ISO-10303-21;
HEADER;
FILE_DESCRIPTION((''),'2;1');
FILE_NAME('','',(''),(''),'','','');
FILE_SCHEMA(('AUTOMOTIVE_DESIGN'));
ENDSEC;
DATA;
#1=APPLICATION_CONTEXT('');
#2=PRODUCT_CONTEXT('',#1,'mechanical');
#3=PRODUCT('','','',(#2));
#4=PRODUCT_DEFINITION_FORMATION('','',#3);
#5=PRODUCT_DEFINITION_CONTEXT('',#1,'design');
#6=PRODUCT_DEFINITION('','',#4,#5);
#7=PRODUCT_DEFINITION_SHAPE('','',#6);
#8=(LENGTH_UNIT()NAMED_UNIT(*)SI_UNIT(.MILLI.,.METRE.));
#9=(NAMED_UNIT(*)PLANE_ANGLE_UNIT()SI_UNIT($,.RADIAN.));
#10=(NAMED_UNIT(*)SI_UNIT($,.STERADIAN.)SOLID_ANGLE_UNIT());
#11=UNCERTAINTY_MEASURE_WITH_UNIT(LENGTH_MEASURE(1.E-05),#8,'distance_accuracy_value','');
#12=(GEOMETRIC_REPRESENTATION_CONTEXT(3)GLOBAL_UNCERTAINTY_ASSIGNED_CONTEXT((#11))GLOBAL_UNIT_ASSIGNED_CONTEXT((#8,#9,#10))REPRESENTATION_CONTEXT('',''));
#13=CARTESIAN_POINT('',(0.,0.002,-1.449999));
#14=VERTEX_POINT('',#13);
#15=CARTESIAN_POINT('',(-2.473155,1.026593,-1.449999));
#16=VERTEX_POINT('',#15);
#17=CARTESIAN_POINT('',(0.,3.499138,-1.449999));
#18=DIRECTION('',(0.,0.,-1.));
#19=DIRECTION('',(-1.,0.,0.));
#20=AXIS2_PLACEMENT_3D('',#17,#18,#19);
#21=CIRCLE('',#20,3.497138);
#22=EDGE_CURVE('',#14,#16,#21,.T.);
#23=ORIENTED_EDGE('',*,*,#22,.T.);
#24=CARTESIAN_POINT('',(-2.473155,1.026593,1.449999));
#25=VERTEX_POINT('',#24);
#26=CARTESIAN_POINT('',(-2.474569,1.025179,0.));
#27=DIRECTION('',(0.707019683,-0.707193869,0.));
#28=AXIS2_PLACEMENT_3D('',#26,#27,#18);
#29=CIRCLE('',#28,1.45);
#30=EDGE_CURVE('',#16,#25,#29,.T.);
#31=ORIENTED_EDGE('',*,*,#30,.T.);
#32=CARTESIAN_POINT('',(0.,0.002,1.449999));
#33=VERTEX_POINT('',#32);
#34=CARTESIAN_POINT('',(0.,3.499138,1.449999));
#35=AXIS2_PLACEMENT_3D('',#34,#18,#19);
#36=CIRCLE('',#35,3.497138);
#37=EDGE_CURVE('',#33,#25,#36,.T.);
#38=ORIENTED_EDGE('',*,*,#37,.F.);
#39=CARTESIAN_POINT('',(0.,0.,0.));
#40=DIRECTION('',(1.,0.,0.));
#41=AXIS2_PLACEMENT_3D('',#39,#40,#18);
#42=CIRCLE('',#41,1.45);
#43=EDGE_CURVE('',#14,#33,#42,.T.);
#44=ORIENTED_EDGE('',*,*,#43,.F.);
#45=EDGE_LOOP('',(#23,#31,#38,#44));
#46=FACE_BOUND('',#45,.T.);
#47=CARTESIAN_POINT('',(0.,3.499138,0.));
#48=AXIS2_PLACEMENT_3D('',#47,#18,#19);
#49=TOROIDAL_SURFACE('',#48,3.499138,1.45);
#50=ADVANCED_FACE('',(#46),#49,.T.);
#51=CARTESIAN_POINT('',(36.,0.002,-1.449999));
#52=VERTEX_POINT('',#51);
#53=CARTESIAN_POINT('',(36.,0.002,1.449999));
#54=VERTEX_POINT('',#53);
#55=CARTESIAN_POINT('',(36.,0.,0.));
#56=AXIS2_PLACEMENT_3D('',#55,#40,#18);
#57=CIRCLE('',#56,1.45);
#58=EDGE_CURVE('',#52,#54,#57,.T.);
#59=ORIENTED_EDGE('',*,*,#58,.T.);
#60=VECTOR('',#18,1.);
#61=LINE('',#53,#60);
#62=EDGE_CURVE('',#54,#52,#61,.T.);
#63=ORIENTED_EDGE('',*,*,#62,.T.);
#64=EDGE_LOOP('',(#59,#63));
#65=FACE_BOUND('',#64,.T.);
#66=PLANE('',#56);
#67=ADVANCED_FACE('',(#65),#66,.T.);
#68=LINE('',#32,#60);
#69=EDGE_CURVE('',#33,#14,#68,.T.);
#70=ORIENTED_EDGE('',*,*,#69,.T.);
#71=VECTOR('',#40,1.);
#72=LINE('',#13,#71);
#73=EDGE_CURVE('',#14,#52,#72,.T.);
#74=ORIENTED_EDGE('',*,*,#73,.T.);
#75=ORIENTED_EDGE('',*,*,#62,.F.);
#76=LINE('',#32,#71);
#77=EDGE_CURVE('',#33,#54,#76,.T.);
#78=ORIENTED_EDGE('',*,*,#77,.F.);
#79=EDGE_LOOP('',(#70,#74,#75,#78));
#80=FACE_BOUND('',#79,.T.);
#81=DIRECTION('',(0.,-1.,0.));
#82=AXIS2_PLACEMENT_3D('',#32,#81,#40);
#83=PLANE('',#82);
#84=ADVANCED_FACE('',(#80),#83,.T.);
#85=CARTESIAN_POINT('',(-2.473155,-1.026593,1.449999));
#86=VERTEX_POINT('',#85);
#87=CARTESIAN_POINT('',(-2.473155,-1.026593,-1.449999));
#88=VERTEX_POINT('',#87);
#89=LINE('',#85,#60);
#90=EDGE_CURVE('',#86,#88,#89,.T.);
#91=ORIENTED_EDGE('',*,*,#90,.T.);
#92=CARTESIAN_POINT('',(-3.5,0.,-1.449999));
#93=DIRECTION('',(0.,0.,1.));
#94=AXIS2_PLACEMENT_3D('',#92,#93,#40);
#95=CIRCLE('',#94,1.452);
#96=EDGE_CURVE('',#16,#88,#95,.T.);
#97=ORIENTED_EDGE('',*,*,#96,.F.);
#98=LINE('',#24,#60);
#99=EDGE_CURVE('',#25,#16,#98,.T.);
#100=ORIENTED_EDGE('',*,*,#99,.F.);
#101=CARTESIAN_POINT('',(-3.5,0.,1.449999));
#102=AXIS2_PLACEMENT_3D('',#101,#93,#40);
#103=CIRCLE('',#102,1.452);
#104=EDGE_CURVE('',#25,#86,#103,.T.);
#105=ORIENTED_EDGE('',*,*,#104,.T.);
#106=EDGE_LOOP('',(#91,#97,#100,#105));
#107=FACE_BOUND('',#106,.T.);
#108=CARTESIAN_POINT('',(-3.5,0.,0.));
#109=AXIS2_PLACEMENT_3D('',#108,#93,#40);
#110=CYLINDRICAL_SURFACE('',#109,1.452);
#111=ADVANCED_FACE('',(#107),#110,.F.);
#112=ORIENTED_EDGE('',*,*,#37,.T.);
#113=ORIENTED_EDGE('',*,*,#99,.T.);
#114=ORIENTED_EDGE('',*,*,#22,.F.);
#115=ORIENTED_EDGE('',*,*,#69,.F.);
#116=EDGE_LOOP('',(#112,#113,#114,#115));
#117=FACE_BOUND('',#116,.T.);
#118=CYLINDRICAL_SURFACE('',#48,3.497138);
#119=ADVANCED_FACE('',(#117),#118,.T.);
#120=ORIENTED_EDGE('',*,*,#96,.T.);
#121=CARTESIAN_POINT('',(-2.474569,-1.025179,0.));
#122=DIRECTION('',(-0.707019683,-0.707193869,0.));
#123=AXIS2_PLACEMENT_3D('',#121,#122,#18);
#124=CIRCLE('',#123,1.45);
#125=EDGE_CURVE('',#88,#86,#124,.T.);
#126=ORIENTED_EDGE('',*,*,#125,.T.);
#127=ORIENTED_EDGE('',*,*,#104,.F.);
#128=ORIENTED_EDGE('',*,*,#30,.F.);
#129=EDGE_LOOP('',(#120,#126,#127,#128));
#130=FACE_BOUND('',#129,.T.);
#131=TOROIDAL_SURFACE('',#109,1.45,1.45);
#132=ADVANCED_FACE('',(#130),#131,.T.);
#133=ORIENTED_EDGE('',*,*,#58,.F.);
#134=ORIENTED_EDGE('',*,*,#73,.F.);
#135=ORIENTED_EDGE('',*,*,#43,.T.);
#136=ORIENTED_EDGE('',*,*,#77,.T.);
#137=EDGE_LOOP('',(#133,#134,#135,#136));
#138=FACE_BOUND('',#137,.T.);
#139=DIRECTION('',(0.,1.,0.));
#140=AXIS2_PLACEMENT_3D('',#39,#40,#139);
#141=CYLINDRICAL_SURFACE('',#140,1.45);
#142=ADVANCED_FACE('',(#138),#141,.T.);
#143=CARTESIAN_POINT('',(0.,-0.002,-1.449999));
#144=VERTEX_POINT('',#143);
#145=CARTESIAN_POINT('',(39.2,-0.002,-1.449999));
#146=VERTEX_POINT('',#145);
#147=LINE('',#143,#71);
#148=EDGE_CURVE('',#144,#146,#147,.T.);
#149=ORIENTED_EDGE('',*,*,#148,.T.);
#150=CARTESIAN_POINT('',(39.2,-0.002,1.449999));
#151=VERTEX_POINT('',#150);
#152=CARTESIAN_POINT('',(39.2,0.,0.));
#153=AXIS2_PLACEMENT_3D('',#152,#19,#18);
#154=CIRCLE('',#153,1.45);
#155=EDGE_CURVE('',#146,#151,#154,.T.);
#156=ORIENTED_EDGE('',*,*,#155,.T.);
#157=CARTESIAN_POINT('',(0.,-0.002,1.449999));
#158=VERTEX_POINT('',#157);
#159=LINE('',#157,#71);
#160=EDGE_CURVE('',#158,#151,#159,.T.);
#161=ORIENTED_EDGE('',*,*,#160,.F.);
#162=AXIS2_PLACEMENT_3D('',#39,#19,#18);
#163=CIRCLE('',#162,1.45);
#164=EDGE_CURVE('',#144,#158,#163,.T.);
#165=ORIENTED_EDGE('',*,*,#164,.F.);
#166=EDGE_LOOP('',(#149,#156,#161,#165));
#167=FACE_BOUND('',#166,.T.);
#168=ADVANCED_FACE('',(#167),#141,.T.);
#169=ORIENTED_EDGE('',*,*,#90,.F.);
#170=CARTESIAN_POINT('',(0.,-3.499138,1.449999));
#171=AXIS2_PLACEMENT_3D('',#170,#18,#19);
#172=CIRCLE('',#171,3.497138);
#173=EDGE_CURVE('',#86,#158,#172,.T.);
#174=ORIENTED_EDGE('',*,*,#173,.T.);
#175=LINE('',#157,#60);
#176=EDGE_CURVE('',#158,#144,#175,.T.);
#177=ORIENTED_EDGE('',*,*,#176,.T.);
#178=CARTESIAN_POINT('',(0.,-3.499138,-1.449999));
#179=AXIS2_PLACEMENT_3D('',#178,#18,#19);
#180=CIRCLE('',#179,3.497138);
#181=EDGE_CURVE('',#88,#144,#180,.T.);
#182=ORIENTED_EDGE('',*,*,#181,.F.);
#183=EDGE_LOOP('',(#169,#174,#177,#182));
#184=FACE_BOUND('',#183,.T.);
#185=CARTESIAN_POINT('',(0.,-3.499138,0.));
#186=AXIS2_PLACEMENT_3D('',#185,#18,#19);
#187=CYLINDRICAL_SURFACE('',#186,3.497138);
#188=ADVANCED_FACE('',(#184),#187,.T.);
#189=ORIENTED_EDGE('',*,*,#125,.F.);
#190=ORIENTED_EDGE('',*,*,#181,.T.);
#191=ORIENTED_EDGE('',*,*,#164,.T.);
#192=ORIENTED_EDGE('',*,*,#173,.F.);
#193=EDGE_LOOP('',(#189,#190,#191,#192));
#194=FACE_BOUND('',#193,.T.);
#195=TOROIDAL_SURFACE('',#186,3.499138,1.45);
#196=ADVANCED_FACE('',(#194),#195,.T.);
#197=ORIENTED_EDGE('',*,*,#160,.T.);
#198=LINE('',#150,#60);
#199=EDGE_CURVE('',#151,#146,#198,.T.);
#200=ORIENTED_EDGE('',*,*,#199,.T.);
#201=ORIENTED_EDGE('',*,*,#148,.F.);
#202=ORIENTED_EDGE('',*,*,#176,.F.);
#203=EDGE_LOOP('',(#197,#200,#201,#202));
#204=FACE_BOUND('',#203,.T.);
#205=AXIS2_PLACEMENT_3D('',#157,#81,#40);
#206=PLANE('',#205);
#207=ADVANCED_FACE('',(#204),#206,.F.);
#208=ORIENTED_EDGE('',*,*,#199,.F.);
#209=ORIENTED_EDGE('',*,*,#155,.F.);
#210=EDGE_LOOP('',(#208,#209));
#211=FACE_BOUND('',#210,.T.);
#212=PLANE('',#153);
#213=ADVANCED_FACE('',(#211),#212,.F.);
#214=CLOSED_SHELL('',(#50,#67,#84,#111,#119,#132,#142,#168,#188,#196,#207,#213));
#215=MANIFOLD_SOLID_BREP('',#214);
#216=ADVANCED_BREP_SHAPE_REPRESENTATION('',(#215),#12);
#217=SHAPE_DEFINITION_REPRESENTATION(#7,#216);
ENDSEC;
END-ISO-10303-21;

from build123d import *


with BuildPart() as part:
    # Body: sweep along a path in PathSke
    with BuildLine(Plane.XY) as body_path:
        Line((36, 1.45), (0, 1.45))
        ThreePointArc((0, 1.45), (-0.784287723, 1.606029633), (-1.449137781, 2.050357081))
        ThreePointArc((-1.449137781, 2.050357081), (-6.4, 0), (-1.449137781, -2.050357081))
        ThreePointArc((-1.449137781, -2.050357081), (-0.784287723, -1.606029633), (0, -1.45))
        Line((0, -1.45), (39.2, -1.45))
    # SectionSke → Body (sweep)
    with BuildSketch(Plane(origin=(36, 0, 0), x_dir=(0, 0, -1), z_dir=(1, 0, 0))):
        with BuildLine():
            Line((-1.449998621, 0.002), (1.449998621, 0.002))
            ThreePointArc((1.449998621, 0.002), (0, 1.45), (-1.449998621, 0.002))
        make_face()
    sweep(path=body_path.line)


solid = part.part
